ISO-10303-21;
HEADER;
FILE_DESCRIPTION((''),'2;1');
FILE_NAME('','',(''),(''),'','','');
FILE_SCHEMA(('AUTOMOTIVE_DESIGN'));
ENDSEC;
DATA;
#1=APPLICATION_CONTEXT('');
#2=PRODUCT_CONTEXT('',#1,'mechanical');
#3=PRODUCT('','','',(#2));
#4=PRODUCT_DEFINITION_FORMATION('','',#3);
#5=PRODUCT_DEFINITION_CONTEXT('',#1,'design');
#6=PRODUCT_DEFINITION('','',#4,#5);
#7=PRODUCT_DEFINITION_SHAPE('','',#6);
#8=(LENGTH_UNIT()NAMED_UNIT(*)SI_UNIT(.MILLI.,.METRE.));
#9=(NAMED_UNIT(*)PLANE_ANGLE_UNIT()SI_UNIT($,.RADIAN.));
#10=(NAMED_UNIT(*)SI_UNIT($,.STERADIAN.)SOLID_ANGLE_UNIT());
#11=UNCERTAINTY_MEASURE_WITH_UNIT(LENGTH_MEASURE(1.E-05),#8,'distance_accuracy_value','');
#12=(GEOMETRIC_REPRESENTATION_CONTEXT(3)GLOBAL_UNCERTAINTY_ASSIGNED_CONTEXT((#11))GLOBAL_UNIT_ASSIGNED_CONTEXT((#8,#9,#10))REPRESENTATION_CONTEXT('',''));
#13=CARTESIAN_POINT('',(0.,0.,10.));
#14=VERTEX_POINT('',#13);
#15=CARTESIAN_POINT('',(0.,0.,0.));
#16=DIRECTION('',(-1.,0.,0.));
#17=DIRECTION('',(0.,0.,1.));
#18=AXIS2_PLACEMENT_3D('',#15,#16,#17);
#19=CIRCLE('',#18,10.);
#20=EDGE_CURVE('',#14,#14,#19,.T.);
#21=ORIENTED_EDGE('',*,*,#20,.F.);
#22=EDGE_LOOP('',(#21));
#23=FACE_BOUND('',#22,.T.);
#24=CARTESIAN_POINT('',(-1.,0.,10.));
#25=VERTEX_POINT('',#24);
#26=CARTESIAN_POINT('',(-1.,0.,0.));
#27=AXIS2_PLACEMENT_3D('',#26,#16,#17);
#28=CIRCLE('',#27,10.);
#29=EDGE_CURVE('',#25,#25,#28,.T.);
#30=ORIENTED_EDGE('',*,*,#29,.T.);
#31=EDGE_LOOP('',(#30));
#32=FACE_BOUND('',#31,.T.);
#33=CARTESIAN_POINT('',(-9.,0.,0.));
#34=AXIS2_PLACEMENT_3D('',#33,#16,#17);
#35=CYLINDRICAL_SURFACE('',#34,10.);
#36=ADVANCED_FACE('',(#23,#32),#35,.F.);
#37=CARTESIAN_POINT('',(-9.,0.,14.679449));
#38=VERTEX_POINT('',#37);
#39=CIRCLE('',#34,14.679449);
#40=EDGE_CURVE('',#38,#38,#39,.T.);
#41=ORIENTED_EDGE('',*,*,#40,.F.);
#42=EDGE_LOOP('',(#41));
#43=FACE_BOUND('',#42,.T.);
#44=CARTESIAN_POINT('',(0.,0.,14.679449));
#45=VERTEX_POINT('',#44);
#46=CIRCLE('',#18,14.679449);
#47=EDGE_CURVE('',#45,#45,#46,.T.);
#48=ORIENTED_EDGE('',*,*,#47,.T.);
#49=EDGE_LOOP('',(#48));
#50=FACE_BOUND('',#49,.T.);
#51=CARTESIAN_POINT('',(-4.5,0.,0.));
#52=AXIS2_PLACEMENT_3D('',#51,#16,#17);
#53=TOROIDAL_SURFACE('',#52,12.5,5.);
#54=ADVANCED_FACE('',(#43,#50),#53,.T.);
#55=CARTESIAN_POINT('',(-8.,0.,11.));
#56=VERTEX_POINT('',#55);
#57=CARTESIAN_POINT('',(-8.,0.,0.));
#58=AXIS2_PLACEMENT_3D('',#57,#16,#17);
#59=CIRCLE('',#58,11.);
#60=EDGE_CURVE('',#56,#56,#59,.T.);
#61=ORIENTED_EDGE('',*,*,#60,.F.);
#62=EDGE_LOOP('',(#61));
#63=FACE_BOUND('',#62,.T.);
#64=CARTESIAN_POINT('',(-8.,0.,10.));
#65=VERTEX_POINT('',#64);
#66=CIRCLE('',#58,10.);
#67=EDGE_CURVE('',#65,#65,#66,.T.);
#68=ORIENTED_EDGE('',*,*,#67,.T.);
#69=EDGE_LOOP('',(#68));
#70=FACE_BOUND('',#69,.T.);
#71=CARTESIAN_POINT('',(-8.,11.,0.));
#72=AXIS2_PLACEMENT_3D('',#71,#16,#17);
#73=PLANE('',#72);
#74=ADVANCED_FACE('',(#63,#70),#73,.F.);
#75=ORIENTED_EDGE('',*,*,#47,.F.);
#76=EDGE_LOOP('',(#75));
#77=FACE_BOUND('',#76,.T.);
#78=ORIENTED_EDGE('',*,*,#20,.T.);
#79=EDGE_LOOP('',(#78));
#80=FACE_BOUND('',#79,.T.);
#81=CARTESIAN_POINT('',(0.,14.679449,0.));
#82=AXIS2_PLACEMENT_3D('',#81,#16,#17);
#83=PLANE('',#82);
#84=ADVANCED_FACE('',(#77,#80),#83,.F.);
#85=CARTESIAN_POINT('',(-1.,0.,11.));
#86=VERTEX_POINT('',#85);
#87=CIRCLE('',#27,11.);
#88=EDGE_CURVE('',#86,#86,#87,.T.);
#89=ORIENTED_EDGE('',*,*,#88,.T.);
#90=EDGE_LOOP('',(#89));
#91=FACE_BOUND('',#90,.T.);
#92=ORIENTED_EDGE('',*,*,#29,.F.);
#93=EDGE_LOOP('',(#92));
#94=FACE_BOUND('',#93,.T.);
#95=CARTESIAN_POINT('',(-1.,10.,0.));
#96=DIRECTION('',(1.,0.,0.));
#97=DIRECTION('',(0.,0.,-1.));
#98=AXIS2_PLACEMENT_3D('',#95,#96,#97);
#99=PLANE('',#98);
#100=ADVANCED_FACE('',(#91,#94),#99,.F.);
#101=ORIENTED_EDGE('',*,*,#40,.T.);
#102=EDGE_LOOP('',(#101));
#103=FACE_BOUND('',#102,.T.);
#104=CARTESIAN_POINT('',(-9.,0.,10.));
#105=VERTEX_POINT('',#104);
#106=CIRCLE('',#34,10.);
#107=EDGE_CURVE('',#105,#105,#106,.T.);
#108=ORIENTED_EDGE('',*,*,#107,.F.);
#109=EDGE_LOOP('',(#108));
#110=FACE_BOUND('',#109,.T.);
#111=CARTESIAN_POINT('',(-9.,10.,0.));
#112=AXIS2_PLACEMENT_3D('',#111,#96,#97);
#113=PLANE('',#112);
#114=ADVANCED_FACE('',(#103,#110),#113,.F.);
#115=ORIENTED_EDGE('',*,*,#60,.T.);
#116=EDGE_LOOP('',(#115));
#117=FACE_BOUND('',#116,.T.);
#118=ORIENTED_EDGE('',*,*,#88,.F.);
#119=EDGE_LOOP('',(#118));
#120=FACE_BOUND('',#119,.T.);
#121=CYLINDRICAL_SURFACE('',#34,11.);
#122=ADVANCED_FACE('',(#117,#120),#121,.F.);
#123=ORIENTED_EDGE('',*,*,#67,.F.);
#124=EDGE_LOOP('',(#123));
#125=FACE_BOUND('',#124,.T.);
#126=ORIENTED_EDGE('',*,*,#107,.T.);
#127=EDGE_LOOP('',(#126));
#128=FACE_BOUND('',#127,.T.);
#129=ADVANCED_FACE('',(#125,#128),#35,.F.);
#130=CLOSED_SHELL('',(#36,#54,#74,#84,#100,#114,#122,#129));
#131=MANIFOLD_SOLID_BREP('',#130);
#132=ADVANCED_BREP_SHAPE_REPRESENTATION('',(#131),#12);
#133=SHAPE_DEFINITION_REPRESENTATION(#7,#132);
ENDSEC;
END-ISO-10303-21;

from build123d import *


with BuildPart() as part:
    # Sketch1 → Revolve1 (revolve)
    with BuildSketch(Plane.XY):
        with BuildLine():
            Line((-8, 10), (-9, 10))
            Line((-9, 10), (-9, 14.679449472))
            ThreePointArc((-9, 14.679449472), (-4.5, 17.5), (0, 14.679449472))
            Line((0, 14.679449472), (0, 10))
            Line((0, 10), (-1, 10))
            Line((-1, 10), (-1, 11))
            Line((-1, 11), (-8, 11))
            Line((-8, 11), (-8, 10))
        make_face()
    revolve(axis=Axis((-9, 0, 0), (1, 0, 0)))


solid = part.part
